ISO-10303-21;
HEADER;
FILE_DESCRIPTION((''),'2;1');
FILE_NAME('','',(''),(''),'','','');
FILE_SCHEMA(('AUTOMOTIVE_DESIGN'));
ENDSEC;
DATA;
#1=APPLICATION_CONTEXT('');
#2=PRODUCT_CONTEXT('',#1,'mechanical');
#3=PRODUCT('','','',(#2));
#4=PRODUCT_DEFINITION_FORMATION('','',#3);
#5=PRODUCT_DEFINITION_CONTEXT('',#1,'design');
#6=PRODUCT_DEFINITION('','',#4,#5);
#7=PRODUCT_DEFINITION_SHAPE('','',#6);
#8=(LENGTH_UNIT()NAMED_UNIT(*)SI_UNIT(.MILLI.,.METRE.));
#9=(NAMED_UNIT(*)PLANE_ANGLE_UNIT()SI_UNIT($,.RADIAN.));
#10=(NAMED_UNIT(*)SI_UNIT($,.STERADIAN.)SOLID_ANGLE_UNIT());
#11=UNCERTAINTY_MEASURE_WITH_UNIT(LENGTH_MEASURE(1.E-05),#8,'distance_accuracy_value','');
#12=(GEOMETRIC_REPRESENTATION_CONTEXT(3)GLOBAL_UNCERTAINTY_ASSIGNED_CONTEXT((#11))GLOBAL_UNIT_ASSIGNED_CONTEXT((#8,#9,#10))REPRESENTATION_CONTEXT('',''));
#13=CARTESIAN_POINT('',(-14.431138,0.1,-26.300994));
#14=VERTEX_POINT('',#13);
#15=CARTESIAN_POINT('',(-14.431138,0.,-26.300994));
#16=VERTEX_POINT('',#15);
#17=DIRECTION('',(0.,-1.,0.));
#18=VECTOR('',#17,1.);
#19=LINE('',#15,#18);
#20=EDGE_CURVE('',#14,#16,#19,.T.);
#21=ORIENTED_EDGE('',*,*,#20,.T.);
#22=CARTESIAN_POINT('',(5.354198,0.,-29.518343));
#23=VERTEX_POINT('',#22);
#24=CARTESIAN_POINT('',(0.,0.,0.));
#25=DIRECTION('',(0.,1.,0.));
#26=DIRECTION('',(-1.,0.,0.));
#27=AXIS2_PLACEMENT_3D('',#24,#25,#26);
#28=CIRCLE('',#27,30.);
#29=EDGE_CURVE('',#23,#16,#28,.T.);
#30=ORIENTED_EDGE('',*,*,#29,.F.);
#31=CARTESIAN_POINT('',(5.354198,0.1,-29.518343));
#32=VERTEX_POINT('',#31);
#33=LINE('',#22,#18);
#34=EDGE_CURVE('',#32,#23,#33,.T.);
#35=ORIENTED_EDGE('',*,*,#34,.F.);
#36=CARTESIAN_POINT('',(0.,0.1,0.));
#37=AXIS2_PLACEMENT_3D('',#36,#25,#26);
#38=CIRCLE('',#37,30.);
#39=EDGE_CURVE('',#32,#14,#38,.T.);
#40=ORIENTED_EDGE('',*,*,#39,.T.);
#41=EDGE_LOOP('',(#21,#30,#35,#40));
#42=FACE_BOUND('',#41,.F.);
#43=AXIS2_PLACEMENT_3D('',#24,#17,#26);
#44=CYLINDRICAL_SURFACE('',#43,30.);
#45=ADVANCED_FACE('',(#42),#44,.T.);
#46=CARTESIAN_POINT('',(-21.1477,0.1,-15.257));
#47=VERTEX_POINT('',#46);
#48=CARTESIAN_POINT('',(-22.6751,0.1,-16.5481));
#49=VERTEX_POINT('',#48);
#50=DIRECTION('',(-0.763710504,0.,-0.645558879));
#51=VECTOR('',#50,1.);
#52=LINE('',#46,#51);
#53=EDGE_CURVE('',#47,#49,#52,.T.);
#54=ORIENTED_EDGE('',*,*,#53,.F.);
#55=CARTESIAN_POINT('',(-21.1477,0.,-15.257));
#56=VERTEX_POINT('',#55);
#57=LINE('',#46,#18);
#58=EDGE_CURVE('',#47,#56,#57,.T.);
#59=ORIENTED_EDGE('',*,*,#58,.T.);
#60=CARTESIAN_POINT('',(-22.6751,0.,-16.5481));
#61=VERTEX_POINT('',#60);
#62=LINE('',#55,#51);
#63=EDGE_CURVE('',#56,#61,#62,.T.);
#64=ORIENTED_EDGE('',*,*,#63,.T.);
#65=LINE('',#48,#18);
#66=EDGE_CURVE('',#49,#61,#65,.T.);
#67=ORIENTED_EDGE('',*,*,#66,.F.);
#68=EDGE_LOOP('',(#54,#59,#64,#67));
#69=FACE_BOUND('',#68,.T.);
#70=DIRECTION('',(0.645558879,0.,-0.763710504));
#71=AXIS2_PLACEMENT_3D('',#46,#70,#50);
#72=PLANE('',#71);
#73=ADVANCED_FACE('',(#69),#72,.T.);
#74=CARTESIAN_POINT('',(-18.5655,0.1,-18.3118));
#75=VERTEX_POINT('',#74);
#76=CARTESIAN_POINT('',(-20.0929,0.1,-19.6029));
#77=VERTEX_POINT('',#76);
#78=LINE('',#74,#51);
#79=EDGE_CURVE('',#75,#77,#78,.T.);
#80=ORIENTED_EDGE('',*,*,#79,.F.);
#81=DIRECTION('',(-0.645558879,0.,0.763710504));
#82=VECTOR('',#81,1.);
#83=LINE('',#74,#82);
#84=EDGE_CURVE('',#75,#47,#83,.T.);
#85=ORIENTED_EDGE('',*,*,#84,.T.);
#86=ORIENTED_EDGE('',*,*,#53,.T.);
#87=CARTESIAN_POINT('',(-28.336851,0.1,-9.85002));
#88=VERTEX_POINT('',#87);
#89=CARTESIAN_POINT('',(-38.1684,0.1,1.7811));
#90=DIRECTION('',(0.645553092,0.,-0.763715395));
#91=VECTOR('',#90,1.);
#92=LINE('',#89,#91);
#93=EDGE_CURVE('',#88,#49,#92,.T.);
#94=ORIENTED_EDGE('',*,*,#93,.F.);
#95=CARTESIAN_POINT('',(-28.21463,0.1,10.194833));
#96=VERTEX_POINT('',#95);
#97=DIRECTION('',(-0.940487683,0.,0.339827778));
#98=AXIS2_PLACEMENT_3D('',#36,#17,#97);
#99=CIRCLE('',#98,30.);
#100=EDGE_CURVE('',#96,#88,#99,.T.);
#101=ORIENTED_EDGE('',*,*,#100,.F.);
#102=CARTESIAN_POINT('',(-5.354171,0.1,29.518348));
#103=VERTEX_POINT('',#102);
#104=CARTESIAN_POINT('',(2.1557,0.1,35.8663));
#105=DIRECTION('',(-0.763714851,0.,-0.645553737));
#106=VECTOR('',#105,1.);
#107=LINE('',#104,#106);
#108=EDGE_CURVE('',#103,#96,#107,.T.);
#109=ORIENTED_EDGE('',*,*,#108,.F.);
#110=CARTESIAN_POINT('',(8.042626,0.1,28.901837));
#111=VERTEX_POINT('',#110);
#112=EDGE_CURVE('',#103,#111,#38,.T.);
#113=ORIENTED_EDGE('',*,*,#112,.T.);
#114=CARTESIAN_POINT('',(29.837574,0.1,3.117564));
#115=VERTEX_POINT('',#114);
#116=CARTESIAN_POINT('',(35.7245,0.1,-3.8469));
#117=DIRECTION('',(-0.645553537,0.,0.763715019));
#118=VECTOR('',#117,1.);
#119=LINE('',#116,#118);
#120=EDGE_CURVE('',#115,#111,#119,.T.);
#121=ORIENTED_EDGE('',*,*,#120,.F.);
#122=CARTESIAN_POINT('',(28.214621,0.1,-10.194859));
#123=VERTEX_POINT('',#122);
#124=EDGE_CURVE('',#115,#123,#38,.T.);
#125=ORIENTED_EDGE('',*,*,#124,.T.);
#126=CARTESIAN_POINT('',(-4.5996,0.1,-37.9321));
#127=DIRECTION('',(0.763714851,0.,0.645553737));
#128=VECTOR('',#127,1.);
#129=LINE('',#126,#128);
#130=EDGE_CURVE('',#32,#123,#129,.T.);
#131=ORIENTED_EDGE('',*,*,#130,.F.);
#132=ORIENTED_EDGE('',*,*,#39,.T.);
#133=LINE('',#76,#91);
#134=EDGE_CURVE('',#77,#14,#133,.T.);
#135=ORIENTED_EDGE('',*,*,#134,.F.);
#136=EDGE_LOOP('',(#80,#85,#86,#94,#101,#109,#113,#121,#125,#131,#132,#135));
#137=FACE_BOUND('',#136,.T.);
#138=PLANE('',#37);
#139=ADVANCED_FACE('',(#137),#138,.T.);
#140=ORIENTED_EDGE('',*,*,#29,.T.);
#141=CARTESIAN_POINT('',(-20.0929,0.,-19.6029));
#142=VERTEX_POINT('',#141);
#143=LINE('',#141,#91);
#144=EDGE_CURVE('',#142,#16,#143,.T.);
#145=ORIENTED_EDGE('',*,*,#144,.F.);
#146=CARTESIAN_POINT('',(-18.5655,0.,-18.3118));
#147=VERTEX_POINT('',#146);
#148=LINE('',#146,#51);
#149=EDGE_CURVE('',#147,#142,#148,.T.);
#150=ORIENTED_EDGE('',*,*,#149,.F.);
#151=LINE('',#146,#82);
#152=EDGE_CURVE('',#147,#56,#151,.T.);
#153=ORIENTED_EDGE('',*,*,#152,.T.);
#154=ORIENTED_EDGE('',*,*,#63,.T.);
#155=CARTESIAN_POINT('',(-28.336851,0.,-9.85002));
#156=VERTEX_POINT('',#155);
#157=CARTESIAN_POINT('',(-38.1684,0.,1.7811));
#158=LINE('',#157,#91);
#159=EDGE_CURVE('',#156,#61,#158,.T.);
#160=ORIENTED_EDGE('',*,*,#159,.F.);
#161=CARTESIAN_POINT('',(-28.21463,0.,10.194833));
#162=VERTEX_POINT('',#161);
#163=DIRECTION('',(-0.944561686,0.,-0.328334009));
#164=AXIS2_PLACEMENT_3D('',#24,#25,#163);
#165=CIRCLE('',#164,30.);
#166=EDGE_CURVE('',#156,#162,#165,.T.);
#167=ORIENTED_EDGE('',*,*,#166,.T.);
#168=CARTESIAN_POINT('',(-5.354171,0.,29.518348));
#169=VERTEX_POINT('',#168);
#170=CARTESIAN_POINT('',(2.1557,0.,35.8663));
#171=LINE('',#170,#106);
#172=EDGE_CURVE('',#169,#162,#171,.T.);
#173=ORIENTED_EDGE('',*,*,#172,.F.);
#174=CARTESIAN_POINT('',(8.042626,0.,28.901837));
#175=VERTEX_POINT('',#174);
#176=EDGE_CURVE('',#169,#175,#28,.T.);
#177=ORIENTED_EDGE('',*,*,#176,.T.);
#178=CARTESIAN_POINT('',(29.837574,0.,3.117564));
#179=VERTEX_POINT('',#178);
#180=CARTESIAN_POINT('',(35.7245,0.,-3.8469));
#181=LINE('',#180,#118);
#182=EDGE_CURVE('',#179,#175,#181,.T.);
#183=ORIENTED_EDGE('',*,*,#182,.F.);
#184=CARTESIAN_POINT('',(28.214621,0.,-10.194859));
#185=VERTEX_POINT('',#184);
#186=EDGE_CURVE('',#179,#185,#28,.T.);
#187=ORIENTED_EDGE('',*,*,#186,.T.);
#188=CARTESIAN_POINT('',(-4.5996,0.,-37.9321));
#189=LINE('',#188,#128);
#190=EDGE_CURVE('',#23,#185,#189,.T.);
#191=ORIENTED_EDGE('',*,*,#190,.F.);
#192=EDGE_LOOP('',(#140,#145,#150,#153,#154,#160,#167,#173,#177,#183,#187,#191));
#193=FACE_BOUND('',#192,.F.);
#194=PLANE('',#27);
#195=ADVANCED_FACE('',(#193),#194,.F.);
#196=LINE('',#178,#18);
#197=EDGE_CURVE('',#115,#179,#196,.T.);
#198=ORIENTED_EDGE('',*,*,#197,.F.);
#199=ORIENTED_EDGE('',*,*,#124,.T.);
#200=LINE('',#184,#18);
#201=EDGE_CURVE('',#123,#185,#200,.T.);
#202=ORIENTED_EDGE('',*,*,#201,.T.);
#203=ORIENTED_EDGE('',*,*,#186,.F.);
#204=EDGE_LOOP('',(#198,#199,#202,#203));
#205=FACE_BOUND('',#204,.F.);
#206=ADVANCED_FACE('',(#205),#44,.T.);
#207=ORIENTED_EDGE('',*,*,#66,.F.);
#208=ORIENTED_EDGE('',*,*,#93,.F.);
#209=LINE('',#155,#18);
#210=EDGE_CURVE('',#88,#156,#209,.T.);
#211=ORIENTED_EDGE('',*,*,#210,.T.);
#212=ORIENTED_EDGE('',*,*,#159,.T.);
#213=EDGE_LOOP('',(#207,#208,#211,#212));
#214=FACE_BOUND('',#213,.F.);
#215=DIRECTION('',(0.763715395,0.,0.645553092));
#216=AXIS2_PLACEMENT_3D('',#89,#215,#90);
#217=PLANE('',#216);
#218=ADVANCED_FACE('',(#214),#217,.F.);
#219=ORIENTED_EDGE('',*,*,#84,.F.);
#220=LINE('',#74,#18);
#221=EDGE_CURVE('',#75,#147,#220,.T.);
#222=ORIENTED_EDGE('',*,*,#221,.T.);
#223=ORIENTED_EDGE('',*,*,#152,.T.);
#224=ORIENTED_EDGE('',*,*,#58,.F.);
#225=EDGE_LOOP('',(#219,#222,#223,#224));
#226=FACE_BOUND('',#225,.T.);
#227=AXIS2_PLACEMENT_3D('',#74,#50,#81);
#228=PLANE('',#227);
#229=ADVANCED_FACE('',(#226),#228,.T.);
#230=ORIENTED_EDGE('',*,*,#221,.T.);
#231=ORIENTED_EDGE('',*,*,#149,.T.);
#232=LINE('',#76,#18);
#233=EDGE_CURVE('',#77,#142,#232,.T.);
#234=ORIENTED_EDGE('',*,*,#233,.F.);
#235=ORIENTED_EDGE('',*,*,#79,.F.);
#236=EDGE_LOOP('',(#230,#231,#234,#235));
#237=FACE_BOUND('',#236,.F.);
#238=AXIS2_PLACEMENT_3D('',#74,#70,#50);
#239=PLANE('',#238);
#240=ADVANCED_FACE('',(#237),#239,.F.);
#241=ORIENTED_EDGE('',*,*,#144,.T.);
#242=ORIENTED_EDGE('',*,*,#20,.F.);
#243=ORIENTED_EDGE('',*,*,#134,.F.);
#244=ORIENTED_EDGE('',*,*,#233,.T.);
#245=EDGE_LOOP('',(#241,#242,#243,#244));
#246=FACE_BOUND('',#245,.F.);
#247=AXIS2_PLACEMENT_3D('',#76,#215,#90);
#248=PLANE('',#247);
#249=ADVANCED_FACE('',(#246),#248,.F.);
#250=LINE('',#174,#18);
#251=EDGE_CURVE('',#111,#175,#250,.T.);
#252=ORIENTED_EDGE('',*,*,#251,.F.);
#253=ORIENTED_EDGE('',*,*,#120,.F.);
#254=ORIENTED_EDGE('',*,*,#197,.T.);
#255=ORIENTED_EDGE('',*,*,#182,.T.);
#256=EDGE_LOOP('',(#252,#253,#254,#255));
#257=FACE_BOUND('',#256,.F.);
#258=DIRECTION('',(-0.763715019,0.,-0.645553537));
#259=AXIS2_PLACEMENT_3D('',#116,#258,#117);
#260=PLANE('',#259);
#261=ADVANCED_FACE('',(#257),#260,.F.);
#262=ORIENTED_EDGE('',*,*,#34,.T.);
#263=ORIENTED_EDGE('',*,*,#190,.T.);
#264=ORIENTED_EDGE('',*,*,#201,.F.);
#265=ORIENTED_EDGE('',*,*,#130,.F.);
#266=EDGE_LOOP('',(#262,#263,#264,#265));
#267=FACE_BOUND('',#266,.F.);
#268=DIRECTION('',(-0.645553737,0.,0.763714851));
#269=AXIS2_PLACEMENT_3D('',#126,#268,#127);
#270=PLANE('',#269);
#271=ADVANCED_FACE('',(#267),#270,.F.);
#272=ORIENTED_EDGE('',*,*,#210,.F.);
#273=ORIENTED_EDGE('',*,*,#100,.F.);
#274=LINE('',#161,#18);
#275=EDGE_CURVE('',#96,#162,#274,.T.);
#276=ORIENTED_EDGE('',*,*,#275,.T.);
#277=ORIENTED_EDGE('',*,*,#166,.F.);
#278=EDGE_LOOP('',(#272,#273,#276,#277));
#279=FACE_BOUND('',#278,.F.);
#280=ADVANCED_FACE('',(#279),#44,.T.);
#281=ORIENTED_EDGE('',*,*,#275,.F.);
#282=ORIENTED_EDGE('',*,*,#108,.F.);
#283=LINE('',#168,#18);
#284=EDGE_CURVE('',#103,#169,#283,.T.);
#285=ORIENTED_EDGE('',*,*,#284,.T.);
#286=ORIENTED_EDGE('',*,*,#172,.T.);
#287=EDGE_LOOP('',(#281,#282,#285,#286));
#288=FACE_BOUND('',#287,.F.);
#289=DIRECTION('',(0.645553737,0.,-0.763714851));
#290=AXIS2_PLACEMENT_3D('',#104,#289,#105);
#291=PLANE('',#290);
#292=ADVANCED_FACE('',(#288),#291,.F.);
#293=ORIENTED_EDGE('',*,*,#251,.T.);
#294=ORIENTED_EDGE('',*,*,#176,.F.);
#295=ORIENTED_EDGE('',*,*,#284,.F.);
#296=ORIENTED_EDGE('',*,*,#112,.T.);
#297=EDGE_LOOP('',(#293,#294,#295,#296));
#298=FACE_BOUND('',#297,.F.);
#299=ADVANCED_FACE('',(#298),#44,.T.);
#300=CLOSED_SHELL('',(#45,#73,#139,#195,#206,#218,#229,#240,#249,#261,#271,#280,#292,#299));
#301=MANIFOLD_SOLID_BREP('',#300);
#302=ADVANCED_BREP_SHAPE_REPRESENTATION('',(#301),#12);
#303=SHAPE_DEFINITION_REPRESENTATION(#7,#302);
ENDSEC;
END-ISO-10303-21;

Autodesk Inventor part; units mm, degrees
ref_plane "YZ Plane" through (0, 0, 0) normal (1, 0, 0) x (0, 1, 0)
ref_plane "XZ Plane" through (0, 0, 0) normal (0, 1, 0) x (-1, 0, 0)
ref_plane "XY Plane" through (0, 0, 0) normal (0, 0, 1) x (1, 0, 0)
sketch "Sketch1" plane through (0, 0, 0) normal (0, 1, 0) x (-1, 0, 0)
  circle A0 centre (0, 0) radius 30
  dimension "d2" = 60
extrude "Extrusion1" add sketch "Sketch1" along normal blind 0.1
sketch "Sketch2" plane through (0, 0.1, 0) normal (0, 1, 0) x (1, 0, 0)
  circle A0 centre (0, 0) radius 30 projected
  line L0 (-44.4053, 35) -> (44.4053, 35) construction
  line L1 (44.4053, 35) -> (44.4053, -35) construction
  line L2 (44.4053, -35) -> (-44.4053, -35) construction
  line L3 (-44.4053, -35) -> (-44.4053, 35) construction
  line L4 (0, 0) -> (51.8598, 0) construction
  line L5 (0, 0) -> (0, -54.6887) construction
  dimension "d24" = 70
decal "Decal1"
sketch "Sketch3" plane through (0, 0.1, 0) normal (0, 1, 0) x (1, 0, 0)
  line L0 (-18.5655, 18.3118) -> (-21.1477, 15.257)
  line L1 (-18.5655, 18.3118) -> (-20.0929, 19.6029)
  line L2 (-20.0929, 19.6029) -> (-4.5996, 37.9321)
  line L3 (-4.5996, 37.9321) -> (35.7245, 3.8469)
  line L4 (35.7245, 3.8469) -> (2.1557, -35.8663)
  line L5 (2.1557, -35.8663) -> (-38.1684, -1.7811)
  line L6 (-38.1684, -1.7811) -> (-22.6751, 16.5481)
  line L7 (-21.1477, 15.257) -> (-22.6751, 16.5481)
  line L8 (-4.5996, 37.9321) -> (35.7245, 3.8469)
  line L9 (35.7245, 3.8469) -> (2.1557, -35.8663)
  line L10 (2.1557, -35.8663) -> (-38.1684, -1.7811)
  line L11 (-38.1684, -1.7811) -> (-4.5996, 37.9321)
  point P0 (0, 0)
extrude "Extrusion2" cut sketch "Sketch3" against normal blind 0.1 contours L1 L2 L3 L4 L5 L6 L7 L0 keep common part
properties part number "Color_wheel"
